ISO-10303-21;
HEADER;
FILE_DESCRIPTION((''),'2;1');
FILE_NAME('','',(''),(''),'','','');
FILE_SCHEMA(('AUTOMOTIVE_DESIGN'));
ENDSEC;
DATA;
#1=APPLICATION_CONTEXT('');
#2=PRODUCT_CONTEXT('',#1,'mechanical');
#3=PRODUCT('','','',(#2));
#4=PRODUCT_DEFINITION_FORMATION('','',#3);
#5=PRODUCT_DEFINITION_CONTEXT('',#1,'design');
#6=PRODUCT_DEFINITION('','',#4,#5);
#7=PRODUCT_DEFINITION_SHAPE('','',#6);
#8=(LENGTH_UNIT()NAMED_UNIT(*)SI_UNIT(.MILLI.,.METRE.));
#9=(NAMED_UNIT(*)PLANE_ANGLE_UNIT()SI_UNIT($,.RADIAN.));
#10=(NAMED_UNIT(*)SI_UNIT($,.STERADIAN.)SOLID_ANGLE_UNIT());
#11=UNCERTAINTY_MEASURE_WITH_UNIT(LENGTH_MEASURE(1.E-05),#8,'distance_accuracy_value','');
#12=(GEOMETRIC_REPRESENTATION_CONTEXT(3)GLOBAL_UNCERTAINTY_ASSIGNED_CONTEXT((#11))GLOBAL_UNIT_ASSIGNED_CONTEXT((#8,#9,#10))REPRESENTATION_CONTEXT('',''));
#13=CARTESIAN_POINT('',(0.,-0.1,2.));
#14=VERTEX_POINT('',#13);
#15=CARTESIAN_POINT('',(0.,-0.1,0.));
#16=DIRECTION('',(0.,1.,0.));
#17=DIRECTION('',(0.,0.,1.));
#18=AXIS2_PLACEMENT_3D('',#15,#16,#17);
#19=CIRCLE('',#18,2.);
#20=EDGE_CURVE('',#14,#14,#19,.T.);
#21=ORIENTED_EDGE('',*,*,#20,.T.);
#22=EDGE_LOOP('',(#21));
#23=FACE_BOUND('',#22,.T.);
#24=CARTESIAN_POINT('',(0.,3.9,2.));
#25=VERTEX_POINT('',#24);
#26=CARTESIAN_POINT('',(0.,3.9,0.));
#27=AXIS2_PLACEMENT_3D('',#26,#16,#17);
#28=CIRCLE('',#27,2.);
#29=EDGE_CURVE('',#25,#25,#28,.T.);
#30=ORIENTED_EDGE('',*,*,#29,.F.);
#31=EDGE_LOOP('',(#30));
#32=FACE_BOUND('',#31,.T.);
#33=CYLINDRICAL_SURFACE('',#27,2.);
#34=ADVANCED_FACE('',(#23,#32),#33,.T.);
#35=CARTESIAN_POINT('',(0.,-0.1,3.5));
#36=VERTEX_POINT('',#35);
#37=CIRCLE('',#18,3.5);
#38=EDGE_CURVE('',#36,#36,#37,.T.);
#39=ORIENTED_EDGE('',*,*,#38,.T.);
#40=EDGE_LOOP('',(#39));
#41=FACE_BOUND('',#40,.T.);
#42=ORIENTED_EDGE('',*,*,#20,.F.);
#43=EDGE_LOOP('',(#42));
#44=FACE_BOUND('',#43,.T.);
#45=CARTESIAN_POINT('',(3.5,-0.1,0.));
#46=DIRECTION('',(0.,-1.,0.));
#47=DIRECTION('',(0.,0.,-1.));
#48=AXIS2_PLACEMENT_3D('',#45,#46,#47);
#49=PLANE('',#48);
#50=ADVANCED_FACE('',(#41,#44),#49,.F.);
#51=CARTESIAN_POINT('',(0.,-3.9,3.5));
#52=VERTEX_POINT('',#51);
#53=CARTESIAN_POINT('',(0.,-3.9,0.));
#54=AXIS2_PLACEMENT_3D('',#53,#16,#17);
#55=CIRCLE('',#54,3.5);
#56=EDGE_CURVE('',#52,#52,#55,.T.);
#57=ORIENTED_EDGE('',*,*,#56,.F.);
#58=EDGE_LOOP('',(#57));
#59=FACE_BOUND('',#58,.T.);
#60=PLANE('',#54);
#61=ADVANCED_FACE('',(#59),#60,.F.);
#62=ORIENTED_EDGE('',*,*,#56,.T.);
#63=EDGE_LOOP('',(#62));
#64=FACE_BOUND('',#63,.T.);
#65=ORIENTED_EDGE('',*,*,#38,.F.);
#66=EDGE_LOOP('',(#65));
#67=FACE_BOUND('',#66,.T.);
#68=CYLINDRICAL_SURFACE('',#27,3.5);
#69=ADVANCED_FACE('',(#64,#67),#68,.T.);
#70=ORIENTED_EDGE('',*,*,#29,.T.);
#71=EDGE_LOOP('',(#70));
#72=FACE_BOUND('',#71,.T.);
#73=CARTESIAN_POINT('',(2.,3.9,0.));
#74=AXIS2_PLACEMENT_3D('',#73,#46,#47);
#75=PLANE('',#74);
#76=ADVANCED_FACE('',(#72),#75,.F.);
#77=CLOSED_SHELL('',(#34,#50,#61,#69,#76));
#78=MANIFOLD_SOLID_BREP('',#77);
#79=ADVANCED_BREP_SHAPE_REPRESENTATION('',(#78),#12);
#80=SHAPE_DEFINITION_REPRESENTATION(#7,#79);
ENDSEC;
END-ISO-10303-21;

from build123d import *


with BuildPart() as part:
    # Esquisse1 → Révolution1 (revolve)
    with BuildSketch(Plane.XY, mode=Mode.PRIVATE) as r_volution1_sk:
        Polygon((0, -3.9), (3.5, -3.9), (3.5, -0.1), (2, -0.1), (2, 3.9), (0, 3.9), align=None)
    revolve(r_volution1_sk.sketch.rotate(Axis((0, 3.9, 0), (0, -1, 0)), 90), axis=Axis((0, 3.9, 0), (0, -1, 0)))  # turned: the seam where the file's is


solid = part.part
